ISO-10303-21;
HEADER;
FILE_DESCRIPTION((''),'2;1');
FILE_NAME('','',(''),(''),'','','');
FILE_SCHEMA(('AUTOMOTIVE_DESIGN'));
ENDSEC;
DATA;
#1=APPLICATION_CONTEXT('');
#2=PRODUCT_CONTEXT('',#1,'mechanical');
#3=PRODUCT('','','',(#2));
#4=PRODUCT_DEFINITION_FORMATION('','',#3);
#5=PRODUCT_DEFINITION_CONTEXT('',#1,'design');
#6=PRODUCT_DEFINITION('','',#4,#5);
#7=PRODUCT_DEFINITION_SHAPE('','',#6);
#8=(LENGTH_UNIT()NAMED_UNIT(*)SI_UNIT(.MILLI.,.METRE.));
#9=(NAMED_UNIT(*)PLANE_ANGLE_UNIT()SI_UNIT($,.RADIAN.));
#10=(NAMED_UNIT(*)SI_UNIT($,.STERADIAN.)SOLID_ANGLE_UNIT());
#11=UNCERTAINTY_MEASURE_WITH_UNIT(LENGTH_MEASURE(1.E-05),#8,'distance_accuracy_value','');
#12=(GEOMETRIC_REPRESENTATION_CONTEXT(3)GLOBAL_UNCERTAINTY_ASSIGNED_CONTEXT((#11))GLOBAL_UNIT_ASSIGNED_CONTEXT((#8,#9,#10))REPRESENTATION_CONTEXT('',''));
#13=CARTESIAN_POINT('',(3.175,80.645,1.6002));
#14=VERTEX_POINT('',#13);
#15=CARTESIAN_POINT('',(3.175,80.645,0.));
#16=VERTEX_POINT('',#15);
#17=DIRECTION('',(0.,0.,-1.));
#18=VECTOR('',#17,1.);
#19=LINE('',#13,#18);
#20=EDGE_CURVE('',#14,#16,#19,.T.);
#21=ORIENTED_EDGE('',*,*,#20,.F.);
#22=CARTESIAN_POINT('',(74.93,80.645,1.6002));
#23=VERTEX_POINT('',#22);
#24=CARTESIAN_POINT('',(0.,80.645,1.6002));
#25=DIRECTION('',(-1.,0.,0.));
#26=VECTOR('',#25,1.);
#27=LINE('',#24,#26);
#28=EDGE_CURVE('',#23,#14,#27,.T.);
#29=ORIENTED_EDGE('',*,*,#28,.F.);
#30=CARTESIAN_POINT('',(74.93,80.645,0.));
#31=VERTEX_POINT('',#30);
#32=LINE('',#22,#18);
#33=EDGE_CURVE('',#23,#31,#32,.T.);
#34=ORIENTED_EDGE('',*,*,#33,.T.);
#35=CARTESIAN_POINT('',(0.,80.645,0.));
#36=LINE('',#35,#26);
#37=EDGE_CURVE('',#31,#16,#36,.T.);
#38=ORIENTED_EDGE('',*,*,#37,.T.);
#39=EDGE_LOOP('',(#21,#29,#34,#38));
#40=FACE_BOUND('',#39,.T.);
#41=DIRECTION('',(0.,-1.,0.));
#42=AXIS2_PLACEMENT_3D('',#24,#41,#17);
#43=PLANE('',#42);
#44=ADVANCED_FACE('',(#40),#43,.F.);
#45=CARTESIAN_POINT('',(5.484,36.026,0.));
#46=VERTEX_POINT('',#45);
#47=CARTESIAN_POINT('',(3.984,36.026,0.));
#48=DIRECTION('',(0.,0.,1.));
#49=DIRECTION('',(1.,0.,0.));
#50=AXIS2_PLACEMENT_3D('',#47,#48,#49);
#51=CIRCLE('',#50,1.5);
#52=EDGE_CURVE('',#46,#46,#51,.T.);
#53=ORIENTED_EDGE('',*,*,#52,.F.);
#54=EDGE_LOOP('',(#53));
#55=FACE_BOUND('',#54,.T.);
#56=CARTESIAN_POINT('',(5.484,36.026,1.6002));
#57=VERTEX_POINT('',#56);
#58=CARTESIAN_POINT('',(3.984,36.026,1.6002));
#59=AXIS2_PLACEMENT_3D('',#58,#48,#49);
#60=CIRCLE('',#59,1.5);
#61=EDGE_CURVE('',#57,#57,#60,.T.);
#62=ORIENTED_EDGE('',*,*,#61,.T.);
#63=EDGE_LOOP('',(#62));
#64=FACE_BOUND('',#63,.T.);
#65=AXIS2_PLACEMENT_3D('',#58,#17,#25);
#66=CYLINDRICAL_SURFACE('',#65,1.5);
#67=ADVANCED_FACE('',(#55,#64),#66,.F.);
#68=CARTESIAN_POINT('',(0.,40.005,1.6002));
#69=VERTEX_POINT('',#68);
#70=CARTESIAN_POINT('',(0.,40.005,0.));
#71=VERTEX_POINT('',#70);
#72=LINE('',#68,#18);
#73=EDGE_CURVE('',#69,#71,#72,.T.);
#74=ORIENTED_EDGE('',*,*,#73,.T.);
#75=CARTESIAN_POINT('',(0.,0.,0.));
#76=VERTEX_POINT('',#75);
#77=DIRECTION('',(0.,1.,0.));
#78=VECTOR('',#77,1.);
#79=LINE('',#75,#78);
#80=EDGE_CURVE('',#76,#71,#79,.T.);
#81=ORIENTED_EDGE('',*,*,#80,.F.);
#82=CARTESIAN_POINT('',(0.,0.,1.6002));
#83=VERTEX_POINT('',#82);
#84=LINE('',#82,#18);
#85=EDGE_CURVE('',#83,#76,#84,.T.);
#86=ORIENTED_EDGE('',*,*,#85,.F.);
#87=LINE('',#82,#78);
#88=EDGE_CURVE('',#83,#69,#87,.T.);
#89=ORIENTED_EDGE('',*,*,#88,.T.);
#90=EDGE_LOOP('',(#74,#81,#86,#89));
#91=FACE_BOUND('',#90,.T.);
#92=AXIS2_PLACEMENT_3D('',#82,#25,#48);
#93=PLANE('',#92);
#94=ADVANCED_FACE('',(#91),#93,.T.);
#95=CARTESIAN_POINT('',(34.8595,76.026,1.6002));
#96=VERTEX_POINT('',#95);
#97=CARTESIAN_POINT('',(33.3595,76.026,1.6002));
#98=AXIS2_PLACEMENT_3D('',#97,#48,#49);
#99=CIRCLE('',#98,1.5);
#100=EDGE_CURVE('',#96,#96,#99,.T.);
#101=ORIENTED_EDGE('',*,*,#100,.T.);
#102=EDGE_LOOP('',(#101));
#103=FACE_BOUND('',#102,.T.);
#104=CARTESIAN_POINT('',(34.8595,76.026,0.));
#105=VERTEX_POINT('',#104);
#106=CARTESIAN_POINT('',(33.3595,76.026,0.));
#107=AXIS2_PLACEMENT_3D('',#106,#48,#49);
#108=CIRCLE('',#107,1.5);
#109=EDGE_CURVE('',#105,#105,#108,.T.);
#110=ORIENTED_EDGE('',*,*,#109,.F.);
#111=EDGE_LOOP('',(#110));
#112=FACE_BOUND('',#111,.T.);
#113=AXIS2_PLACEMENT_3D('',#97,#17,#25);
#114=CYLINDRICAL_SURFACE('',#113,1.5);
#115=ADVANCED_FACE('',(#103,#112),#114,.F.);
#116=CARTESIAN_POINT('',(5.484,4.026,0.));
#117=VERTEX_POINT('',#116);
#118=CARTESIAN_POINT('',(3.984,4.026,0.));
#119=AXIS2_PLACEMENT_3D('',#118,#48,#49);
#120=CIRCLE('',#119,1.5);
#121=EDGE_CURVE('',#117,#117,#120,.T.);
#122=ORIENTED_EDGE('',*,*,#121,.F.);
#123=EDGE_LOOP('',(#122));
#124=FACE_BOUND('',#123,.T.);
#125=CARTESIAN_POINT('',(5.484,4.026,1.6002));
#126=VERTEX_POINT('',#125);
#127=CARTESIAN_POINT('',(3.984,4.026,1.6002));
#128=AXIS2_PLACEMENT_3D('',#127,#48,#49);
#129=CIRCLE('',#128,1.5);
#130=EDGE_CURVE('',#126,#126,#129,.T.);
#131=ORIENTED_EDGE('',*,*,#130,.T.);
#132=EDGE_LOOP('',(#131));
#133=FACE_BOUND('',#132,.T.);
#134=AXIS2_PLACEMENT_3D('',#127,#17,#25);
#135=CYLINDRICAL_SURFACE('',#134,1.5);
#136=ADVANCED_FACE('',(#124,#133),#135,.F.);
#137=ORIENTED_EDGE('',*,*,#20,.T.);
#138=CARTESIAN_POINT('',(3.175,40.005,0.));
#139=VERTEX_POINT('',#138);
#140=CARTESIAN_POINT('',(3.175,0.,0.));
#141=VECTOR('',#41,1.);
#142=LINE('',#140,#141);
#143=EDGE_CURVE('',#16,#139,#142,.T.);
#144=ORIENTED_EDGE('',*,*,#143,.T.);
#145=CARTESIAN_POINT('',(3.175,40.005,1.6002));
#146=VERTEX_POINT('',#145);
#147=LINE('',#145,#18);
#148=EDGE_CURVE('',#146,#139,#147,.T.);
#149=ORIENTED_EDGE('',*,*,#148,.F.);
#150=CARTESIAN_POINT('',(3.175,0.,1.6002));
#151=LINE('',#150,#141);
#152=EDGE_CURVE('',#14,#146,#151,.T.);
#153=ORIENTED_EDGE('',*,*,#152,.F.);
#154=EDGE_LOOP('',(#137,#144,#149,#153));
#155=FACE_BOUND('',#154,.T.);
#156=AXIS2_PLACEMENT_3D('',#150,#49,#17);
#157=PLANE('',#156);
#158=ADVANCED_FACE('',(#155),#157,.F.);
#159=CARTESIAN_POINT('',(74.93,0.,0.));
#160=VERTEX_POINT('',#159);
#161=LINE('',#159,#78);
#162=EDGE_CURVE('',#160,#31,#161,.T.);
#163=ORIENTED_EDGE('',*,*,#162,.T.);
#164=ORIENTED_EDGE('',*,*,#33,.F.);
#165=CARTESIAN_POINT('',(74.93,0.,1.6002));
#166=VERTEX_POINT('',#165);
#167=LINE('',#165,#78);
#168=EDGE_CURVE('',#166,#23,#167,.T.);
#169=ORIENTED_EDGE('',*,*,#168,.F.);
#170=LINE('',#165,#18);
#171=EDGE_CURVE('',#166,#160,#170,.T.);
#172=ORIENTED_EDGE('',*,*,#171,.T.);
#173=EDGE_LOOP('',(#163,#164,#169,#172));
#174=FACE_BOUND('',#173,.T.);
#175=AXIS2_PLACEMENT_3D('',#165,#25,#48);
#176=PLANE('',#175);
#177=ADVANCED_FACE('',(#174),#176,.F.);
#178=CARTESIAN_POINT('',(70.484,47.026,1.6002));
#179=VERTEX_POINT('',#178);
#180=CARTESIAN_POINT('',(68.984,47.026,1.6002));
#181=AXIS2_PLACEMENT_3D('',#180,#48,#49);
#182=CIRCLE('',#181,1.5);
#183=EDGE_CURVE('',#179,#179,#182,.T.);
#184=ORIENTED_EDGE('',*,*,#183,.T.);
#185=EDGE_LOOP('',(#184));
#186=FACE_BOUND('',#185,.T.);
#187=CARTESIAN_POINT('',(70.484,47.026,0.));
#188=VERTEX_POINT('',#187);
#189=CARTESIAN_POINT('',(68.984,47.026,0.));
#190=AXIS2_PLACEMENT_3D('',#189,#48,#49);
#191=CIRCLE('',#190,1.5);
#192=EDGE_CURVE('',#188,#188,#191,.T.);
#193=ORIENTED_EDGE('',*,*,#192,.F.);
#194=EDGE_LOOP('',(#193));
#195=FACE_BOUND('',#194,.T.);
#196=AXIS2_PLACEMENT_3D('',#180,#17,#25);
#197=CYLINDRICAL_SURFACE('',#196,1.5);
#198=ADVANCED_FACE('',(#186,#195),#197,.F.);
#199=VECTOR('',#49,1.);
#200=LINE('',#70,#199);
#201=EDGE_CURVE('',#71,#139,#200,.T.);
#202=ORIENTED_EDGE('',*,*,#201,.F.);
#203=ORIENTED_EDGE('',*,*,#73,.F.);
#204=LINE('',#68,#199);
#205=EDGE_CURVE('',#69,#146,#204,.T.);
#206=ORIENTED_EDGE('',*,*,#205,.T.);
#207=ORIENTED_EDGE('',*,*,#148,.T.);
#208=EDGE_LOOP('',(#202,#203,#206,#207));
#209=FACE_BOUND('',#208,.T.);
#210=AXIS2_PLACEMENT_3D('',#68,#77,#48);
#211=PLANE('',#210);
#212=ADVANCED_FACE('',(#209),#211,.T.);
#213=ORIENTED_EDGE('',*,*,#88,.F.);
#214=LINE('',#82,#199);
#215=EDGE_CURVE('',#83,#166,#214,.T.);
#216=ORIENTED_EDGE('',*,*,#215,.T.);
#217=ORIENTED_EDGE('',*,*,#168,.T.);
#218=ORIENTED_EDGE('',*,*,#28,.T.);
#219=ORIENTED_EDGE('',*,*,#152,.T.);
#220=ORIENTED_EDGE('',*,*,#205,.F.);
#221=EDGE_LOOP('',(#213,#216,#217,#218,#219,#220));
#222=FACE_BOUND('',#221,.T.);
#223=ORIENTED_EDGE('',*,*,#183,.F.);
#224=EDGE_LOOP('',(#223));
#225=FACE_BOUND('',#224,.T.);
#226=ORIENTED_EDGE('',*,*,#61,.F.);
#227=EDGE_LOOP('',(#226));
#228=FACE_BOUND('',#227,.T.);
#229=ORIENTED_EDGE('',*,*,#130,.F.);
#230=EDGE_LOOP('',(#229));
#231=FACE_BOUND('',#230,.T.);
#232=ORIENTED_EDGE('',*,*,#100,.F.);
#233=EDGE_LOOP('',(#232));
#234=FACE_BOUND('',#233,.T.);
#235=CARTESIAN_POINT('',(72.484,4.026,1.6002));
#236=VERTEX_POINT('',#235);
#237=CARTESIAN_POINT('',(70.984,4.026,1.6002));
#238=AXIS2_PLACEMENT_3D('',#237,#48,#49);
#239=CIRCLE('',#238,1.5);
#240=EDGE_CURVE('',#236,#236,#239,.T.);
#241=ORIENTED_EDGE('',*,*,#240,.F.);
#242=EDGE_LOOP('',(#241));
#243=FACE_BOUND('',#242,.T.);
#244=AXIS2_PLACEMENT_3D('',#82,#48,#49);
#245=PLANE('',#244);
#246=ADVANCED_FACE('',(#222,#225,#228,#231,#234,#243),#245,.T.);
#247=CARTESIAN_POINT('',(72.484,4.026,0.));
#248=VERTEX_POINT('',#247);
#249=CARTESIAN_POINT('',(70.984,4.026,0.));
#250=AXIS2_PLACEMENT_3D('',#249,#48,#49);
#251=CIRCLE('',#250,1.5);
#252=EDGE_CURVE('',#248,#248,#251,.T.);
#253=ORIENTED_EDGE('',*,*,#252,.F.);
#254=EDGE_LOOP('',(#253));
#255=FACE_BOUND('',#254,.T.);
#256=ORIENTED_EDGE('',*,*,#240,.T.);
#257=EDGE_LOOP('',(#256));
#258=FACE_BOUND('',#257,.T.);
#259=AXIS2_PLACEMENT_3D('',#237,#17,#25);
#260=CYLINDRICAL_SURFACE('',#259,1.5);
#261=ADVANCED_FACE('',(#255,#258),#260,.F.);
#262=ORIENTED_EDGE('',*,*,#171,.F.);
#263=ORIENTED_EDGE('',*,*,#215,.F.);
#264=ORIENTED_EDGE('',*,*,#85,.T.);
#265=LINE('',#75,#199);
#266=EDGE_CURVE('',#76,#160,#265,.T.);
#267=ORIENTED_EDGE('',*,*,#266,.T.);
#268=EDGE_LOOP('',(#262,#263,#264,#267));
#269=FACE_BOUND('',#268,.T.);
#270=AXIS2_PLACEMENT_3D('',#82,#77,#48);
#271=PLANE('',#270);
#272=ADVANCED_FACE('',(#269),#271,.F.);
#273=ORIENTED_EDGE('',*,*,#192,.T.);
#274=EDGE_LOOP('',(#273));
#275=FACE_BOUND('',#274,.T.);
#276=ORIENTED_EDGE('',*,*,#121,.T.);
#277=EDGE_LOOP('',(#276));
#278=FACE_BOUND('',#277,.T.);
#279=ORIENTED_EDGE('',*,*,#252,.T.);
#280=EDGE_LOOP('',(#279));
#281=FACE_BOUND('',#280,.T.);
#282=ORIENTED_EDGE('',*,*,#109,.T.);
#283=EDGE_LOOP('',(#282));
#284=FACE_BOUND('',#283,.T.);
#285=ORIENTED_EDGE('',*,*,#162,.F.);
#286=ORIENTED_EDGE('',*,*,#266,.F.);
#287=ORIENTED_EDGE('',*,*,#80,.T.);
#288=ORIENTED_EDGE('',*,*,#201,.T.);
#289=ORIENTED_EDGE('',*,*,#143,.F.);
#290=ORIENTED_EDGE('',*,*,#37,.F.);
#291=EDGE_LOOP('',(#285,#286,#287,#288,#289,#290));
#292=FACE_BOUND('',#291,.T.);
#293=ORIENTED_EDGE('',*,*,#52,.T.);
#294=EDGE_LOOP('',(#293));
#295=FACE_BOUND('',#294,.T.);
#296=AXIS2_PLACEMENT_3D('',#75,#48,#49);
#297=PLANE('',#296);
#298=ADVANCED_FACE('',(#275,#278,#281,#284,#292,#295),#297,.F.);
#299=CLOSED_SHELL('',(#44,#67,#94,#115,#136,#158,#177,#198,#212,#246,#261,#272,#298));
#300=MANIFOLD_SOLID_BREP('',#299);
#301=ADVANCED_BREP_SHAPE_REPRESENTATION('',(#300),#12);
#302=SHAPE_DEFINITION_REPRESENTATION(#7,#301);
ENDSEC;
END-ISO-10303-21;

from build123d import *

# Parameters (mm, degrees)
SKETCH1_R           = 1.5
BOSS_EXTRUDE1_DEPTH = 1.6002


with BuildPart() as part:
    # Sketch1 → Boss-Extrude1 (new body)
    with BuildSketch(Plane.XY):
        Polygon((74.93, 80.645), (3.175, 80.645), (3.175, 40.005), (0, 40.005), (0, 0), (74.93, 0), align=None)
        with Locations((68.984, 47.026)):
            Circle(SKETCH1_R, mode=Mode.SUBTRACT)
        with Locations((33.3595, 76.026)):
            Circle(SKETCH1_R, mode=Mode.SUBTRACT)
        with Locations((3.984, 36.026)):
            Circle(SKETCH1_R, mode=Mode.SUBTRACT)
        with Locations((70.984, 4.026)):
            Circle(SKETCH1_R, mode=Mode.SUBTRACT)
        with Locations((3.984, 4.026)):
            Circle(SKETCH1_R, mode=Mode.SUBTRACT)
    extrude(amount=BOSS_EXTRUDE1_DEPTH)


solid = part.part
